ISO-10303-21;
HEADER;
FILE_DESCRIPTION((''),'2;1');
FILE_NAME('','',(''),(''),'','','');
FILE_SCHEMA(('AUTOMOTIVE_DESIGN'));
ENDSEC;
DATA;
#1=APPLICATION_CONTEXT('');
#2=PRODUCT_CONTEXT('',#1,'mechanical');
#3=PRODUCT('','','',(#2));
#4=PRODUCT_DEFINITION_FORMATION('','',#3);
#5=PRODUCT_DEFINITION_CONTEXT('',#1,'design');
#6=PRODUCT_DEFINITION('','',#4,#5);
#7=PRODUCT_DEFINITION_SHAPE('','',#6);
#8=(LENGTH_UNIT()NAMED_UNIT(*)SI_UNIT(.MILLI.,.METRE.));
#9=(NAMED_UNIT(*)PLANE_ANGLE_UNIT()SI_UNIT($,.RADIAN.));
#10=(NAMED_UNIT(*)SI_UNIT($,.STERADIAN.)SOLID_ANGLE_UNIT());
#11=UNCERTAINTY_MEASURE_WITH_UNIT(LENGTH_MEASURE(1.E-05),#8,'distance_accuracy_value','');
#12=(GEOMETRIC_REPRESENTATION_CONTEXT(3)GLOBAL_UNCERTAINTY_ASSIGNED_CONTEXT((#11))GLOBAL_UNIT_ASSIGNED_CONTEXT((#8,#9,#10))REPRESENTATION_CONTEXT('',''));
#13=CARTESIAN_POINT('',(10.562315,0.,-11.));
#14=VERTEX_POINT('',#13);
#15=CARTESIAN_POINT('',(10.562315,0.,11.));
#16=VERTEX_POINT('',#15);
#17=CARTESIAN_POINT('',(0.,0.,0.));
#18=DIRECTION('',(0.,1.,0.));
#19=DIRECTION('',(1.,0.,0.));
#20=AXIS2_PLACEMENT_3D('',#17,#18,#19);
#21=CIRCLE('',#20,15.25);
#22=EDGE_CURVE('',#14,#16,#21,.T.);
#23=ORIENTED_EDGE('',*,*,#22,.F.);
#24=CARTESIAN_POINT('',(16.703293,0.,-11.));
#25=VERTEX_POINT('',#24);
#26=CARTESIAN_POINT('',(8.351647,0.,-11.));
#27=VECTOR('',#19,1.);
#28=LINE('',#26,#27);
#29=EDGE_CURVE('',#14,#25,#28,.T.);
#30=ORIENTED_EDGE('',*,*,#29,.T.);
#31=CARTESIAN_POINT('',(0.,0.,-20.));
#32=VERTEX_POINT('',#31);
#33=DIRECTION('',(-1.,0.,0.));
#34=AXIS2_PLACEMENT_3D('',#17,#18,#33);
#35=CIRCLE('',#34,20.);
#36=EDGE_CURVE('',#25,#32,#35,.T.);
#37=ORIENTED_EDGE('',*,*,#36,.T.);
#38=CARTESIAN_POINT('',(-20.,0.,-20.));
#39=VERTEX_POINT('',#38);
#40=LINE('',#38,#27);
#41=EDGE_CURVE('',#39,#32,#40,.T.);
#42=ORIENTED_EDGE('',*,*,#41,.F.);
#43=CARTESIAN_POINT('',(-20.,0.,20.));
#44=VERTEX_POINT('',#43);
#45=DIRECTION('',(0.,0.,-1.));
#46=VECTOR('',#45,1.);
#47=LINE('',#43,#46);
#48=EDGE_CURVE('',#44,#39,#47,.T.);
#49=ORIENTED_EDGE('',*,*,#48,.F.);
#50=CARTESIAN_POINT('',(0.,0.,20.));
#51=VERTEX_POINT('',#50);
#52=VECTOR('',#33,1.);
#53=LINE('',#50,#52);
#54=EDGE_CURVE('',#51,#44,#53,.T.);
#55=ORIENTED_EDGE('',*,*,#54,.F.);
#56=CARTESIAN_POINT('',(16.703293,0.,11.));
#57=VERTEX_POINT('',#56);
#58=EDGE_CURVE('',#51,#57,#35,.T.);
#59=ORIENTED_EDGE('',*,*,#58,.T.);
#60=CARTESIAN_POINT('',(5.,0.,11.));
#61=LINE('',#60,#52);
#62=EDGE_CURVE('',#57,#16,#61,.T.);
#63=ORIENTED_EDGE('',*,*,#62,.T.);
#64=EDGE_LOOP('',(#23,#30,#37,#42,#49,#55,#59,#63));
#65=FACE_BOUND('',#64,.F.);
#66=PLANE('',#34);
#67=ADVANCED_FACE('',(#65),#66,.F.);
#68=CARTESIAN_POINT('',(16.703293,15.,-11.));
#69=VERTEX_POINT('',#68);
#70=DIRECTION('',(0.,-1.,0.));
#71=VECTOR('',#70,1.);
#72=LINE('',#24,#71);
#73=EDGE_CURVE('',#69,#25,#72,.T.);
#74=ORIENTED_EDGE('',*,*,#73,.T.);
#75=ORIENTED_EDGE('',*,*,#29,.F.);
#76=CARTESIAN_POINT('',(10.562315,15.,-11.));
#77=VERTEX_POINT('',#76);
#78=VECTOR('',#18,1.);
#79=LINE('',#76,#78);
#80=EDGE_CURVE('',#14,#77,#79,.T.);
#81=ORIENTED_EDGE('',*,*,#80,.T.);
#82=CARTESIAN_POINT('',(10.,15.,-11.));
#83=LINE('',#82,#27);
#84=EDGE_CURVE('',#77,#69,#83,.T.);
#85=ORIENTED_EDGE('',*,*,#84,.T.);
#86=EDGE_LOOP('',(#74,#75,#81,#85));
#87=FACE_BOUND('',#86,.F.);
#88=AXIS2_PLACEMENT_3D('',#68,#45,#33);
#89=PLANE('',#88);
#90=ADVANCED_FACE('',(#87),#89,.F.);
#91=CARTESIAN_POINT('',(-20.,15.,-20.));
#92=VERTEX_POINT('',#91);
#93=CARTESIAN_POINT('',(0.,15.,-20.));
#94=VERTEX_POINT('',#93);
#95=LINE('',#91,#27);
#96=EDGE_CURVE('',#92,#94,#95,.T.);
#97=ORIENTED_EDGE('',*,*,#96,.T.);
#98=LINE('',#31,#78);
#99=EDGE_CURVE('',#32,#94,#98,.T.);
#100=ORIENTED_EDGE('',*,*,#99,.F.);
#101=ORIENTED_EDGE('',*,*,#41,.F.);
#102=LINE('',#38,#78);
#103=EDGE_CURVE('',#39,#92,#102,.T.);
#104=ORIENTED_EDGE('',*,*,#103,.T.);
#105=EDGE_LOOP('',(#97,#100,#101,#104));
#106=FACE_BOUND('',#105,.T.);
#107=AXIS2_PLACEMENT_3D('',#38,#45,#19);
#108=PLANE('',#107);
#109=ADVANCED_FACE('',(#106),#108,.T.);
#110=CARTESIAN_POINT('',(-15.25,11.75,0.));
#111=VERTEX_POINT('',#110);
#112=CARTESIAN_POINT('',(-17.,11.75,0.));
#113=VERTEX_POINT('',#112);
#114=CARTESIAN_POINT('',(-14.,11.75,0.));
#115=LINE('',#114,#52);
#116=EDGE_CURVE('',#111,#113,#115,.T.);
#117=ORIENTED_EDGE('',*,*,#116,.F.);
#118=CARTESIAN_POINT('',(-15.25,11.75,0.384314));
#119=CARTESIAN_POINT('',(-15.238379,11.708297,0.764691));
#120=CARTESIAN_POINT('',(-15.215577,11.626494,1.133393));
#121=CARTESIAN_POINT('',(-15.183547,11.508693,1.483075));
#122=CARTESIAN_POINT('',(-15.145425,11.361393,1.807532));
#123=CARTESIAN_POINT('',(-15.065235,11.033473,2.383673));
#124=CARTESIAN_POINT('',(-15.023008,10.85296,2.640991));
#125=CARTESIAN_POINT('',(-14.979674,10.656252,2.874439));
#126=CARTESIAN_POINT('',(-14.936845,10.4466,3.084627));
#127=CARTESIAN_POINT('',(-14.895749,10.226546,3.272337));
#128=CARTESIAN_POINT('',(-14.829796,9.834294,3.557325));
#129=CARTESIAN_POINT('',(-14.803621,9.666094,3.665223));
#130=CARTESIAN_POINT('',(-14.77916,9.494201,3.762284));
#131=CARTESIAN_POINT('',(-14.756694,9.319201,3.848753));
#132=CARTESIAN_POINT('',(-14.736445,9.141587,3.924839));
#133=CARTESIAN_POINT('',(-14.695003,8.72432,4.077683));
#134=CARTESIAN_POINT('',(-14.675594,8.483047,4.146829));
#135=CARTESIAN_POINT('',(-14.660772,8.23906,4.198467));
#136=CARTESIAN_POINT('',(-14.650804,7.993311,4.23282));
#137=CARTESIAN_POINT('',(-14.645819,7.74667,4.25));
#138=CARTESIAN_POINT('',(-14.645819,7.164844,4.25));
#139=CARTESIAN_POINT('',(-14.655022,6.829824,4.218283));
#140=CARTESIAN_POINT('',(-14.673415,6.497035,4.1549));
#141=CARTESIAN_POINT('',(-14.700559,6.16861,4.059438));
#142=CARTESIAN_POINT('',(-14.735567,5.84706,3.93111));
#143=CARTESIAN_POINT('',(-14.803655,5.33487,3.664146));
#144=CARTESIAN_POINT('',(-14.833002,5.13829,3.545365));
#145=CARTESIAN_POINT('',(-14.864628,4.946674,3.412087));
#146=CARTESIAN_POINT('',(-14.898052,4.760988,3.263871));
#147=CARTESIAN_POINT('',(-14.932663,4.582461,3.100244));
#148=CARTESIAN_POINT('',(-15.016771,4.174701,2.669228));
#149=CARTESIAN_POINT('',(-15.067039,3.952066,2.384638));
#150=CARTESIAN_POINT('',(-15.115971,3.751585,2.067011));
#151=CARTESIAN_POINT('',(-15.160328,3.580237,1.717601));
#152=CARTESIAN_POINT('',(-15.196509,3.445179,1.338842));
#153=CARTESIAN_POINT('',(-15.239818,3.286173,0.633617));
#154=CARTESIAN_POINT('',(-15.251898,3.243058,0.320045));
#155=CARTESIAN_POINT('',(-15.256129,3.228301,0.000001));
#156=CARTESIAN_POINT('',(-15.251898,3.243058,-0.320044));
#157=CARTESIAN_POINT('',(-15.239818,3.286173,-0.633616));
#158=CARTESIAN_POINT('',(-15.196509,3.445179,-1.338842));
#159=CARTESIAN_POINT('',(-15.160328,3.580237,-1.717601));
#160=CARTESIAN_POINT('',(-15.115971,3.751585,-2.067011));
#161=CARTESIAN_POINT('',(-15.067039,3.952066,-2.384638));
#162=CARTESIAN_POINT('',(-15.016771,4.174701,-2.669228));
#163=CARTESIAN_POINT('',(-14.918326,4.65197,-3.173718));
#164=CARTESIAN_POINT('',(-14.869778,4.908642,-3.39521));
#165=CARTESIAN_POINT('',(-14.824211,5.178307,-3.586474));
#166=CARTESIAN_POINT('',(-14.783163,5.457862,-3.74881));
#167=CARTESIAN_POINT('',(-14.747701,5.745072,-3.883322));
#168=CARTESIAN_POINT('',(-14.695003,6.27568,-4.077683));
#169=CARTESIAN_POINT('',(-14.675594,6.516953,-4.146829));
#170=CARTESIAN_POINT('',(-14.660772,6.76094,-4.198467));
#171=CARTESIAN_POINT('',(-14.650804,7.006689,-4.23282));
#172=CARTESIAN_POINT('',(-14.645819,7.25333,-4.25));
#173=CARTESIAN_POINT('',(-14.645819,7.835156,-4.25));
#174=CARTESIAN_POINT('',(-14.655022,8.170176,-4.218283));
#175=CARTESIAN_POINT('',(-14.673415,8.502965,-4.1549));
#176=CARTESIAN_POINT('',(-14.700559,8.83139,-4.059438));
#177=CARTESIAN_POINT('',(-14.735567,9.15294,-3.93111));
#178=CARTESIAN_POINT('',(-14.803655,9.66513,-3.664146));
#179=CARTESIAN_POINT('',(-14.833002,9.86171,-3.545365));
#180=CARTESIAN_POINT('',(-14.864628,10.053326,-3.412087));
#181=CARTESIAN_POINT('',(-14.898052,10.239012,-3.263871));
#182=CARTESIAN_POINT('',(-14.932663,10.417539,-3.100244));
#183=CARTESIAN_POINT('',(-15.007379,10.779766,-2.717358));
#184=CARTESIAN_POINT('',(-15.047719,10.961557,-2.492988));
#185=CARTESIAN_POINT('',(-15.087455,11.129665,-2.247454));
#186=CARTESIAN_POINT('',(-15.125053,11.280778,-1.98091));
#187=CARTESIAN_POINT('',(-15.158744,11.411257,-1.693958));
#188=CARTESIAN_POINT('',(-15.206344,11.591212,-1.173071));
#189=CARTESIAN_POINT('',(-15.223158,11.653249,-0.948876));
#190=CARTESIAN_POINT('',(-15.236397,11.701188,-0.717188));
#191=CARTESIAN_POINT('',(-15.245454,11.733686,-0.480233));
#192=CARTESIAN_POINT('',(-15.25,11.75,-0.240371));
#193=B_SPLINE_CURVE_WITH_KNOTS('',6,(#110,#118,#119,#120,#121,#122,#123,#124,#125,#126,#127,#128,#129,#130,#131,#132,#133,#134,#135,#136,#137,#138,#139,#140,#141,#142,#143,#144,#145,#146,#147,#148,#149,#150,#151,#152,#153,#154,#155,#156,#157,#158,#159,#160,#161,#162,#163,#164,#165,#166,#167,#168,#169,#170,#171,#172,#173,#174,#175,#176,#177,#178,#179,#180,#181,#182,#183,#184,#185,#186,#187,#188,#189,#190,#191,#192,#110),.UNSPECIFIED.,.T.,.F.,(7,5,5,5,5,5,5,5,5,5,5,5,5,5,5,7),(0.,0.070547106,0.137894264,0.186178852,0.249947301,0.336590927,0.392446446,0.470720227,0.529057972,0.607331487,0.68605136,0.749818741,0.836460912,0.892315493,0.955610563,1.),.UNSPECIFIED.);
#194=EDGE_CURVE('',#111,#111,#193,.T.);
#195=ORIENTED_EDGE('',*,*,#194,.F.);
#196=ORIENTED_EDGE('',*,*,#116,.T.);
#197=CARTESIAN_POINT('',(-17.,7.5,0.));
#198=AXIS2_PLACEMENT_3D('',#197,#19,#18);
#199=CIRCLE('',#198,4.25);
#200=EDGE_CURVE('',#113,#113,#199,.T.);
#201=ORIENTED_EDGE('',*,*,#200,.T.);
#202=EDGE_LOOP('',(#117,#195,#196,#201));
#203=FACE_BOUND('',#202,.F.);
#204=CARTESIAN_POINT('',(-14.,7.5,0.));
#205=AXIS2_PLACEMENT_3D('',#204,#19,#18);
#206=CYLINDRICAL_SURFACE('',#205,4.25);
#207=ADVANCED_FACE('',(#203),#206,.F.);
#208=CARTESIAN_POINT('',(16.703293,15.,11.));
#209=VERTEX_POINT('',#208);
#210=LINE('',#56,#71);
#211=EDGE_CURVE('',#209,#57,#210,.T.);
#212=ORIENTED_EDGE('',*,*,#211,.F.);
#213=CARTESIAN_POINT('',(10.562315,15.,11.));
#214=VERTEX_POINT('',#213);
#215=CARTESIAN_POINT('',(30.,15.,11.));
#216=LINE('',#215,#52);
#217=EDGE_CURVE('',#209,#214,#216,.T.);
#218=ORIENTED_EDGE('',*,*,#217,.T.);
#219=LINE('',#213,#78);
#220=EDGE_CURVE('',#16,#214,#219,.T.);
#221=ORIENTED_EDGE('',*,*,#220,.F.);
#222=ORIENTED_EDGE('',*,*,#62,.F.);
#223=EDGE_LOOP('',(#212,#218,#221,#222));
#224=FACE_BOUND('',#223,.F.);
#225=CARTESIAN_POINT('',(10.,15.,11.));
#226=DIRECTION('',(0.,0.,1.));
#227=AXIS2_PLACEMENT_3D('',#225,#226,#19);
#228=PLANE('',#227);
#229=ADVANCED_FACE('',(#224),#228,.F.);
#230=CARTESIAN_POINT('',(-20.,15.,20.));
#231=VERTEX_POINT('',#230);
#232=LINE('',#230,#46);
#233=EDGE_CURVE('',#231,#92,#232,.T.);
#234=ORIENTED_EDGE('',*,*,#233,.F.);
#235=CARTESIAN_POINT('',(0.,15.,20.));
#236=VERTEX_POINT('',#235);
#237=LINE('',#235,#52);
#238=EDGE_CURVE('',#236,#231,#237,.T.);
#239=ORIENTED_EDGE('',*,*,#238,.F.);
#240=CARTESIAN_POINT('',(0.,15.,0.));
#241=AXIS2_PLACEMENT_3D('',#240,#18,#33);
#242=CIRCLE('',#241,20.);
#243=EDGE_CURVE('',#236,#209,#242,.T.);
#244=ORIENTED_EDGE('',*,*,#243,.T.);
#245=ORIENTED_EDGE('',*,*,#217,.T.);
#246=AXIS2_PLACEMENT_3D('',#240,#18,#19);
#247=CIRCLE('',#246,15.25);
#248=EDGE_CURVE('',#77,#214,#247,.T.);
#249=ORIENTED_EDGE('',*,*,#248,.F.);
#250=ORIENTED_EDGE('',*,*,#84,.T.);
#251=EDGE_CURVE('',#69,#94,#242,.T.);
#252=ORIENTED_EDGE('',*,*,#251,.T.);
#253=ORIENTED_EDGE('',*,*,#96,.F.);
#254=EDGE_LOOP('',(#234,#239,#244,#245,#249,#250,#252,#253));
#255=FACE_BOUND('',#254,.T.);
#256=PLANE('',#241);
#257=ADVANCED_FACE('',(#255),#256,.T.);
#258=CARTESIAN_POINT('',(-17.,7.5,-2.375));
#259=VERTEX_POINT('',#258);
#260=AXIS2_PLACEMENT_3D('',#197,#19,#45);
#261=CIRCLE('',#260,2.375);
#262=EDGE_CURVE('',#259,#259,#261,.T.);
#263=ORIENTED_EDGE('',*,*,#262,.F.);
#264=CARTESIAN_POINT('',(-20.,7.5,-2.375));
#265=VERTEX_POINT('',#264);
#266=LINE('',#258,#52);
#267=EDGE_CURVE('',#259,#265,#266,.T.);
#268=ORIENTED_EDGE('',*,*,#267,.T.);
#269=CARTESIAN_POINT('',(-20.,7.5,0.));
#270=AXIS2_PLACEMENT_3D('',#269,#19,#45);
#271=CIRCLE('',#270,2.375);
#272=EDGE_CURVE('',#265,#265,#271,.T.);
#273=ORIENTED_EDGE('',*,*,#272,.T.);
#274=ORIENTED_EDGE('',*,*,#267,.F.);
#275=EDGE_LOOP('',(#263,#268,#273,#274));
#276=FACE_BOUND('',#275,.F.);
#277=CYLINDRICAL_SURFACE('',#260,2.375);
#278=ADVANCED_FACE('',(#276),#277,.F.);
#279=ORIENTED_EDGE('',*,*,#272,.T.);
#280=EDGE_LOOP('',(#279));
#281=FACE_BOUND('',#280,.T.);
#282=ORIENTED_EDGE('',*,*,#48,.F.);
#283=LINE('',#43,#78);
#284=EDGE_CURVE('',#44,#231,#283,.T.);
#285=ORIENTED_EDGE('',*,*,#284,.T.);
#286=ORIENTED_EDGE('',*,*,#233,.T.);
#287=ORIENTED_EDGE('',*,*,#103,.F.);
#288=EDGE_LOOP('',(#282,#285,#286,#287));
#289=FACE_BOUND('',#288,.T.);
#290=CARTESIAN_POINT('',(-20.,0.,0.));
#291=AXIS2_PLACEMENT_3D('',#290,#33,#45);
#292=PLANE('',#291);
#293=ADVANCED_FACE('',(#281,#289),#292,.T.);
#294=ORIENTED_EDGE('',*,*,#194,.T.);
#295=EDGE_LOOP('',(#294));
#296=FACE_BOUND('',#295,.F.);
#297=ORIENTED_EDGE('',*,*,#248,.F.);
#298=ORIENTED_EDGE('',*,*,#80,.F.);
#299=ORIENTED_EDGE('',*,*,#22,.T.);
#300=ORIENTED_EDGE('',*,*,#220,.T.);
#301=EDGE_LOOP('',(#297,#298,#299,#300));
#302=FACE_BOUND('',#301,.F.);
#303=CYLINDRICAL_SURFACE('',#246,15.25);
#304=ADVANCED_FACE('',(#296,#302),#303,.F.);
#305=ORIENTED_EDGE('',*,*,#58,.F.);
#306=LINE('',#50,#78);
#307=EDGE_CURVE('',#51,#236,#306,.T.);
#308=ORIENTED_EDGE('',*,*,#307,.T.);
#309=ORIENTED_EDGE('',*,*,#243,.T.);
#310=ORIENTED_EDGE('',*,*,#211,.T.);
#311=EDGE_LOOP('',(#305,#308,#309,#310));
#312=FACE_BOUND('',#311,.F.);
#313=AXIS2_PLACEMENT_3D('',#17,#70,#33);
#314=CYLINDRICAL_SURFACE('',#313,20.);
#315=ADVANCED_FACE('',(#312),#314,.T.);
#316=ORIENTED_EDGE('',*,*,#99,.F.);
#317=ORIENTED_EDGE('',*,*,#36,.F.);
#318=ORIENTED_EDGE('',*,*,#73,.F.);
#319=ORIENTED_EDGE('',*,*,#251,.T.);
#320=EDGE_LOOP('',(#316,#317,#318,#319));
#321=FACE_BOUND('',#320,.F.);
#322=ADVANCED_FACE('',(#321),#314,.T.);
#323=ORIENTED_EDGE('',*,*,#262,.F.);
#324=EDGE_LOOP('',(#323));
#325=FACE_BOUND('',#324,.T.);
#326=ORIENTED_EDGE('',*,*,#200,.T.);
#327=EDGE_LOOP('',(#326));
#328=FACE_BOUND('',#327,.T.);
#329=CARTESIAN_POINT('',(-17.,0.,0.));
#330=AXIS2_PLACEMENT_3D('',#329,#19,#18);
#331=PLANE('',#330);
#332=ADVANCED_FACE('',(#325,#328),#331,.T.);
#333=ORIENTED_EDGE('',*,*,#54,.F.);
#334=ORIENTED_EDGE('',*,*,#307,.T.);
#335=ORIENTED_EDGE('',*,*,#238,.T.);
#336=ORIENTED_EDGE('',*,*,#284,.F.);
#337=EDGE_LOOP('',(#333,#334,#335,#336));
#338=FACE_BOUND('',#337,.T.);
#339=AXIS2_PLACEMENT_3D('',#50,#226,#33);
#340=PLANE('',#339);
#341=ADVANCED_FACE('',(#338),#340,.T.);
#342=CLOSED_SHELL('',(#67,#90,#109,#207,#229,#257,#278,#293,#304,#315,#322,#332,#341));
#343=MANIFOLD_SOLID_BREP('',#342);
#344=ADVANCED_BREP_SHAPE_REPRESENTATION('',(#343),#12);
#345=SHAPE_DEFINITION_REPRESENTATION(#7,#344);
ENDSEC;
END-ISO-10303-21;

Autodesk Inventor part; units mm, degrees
ref_plane "XZ Plane" through (0, 0, 0) normal (0, 1, 0) x (-1, 0, 0)
ref_plane "XY Plane" through (0, 0, 0) normal (0, 0, 1) x (1, 0, 0)
sketch "Sketch1" plane through (0, 0, 0) normal (0, 1, 0) x (-1, 0, 0)
  circle A0 centre (0, 0) radius 20
  line L0 (0, 20) -> (20, 20)
  line L1 (20, 20) -> (20, -20)
  line L2 (20, -20) -> (0, -20)
  line L3 (0, -20) -> (0, 20)
  dimension "d0" = 40
extrude "Extrusion1" add sketch "Sketch1" along normal blind 15
sketch "Sketch2" plane through (0, 15, 0) normal (0, 1, 0) x (1, 0, 0)
  circle A0 centre (0, 0) radius 15.25
  dimension "d3" = 30.5
extrude "Extrusion2" cut sketch "Sketch2" against normal up to next
sketch "Sketch3" plane through (0, 15, 0) normal (0, 1, 0) x (1, 0, 0)
  line L0 (10, -11) -> (30, -11)
  line L1 (30, -11) -> (30, 11)
  line L2 (30, 11) -> (10, 11)
  line L3 (10, 11) -> (10, -11)
  arc A0 (0, -20) -> (0, 20) centre (0, 0) ccw projected
  line L4 (10, -11) -> (30, 11) construction
  line L5 (30, -11) -> (10, 11) construction
  point P0 (20, 0)
  dimension "d6" = 22
  dimension "d7" = 20
extrude "Extrusion3" cut sketch "Sketch3" against normal up to next
ref_plane "Work Plane1" through (-14, 0, 0) normal (1, 0, 0) x (0, 1, 0)
sketch "Sketch7" plane through (-14, 0, 0) normal (1, 0, 0) x (0, 1, 0)
  circle A0 centre (7.5, 0) radius 4.25
  line L0 (0, -15.25) -> (0, 15.25) projected
  point P0 (0, 0)
  point P1 (0, -11)
  point P2 (0, 11)
  dimension "d18" = 8.5
  dimension "d19" = 7.5
extrude "Extrusion4" cut sketch "Sketch7" against normal blind 3
sketch "Sketch8" plane through (-17, 7.5, 0) normal (1, 0, 0) x (0, 0, -1)
  circle A0 centre (0, 0) radius 2.375
  point P0 (0, -7.5)
  dimension "d22" = 4.75
extrude "Extrusion5" cut sketch "Sketch8" against normal up to next
properties part number "60mL_falcon_holder"
